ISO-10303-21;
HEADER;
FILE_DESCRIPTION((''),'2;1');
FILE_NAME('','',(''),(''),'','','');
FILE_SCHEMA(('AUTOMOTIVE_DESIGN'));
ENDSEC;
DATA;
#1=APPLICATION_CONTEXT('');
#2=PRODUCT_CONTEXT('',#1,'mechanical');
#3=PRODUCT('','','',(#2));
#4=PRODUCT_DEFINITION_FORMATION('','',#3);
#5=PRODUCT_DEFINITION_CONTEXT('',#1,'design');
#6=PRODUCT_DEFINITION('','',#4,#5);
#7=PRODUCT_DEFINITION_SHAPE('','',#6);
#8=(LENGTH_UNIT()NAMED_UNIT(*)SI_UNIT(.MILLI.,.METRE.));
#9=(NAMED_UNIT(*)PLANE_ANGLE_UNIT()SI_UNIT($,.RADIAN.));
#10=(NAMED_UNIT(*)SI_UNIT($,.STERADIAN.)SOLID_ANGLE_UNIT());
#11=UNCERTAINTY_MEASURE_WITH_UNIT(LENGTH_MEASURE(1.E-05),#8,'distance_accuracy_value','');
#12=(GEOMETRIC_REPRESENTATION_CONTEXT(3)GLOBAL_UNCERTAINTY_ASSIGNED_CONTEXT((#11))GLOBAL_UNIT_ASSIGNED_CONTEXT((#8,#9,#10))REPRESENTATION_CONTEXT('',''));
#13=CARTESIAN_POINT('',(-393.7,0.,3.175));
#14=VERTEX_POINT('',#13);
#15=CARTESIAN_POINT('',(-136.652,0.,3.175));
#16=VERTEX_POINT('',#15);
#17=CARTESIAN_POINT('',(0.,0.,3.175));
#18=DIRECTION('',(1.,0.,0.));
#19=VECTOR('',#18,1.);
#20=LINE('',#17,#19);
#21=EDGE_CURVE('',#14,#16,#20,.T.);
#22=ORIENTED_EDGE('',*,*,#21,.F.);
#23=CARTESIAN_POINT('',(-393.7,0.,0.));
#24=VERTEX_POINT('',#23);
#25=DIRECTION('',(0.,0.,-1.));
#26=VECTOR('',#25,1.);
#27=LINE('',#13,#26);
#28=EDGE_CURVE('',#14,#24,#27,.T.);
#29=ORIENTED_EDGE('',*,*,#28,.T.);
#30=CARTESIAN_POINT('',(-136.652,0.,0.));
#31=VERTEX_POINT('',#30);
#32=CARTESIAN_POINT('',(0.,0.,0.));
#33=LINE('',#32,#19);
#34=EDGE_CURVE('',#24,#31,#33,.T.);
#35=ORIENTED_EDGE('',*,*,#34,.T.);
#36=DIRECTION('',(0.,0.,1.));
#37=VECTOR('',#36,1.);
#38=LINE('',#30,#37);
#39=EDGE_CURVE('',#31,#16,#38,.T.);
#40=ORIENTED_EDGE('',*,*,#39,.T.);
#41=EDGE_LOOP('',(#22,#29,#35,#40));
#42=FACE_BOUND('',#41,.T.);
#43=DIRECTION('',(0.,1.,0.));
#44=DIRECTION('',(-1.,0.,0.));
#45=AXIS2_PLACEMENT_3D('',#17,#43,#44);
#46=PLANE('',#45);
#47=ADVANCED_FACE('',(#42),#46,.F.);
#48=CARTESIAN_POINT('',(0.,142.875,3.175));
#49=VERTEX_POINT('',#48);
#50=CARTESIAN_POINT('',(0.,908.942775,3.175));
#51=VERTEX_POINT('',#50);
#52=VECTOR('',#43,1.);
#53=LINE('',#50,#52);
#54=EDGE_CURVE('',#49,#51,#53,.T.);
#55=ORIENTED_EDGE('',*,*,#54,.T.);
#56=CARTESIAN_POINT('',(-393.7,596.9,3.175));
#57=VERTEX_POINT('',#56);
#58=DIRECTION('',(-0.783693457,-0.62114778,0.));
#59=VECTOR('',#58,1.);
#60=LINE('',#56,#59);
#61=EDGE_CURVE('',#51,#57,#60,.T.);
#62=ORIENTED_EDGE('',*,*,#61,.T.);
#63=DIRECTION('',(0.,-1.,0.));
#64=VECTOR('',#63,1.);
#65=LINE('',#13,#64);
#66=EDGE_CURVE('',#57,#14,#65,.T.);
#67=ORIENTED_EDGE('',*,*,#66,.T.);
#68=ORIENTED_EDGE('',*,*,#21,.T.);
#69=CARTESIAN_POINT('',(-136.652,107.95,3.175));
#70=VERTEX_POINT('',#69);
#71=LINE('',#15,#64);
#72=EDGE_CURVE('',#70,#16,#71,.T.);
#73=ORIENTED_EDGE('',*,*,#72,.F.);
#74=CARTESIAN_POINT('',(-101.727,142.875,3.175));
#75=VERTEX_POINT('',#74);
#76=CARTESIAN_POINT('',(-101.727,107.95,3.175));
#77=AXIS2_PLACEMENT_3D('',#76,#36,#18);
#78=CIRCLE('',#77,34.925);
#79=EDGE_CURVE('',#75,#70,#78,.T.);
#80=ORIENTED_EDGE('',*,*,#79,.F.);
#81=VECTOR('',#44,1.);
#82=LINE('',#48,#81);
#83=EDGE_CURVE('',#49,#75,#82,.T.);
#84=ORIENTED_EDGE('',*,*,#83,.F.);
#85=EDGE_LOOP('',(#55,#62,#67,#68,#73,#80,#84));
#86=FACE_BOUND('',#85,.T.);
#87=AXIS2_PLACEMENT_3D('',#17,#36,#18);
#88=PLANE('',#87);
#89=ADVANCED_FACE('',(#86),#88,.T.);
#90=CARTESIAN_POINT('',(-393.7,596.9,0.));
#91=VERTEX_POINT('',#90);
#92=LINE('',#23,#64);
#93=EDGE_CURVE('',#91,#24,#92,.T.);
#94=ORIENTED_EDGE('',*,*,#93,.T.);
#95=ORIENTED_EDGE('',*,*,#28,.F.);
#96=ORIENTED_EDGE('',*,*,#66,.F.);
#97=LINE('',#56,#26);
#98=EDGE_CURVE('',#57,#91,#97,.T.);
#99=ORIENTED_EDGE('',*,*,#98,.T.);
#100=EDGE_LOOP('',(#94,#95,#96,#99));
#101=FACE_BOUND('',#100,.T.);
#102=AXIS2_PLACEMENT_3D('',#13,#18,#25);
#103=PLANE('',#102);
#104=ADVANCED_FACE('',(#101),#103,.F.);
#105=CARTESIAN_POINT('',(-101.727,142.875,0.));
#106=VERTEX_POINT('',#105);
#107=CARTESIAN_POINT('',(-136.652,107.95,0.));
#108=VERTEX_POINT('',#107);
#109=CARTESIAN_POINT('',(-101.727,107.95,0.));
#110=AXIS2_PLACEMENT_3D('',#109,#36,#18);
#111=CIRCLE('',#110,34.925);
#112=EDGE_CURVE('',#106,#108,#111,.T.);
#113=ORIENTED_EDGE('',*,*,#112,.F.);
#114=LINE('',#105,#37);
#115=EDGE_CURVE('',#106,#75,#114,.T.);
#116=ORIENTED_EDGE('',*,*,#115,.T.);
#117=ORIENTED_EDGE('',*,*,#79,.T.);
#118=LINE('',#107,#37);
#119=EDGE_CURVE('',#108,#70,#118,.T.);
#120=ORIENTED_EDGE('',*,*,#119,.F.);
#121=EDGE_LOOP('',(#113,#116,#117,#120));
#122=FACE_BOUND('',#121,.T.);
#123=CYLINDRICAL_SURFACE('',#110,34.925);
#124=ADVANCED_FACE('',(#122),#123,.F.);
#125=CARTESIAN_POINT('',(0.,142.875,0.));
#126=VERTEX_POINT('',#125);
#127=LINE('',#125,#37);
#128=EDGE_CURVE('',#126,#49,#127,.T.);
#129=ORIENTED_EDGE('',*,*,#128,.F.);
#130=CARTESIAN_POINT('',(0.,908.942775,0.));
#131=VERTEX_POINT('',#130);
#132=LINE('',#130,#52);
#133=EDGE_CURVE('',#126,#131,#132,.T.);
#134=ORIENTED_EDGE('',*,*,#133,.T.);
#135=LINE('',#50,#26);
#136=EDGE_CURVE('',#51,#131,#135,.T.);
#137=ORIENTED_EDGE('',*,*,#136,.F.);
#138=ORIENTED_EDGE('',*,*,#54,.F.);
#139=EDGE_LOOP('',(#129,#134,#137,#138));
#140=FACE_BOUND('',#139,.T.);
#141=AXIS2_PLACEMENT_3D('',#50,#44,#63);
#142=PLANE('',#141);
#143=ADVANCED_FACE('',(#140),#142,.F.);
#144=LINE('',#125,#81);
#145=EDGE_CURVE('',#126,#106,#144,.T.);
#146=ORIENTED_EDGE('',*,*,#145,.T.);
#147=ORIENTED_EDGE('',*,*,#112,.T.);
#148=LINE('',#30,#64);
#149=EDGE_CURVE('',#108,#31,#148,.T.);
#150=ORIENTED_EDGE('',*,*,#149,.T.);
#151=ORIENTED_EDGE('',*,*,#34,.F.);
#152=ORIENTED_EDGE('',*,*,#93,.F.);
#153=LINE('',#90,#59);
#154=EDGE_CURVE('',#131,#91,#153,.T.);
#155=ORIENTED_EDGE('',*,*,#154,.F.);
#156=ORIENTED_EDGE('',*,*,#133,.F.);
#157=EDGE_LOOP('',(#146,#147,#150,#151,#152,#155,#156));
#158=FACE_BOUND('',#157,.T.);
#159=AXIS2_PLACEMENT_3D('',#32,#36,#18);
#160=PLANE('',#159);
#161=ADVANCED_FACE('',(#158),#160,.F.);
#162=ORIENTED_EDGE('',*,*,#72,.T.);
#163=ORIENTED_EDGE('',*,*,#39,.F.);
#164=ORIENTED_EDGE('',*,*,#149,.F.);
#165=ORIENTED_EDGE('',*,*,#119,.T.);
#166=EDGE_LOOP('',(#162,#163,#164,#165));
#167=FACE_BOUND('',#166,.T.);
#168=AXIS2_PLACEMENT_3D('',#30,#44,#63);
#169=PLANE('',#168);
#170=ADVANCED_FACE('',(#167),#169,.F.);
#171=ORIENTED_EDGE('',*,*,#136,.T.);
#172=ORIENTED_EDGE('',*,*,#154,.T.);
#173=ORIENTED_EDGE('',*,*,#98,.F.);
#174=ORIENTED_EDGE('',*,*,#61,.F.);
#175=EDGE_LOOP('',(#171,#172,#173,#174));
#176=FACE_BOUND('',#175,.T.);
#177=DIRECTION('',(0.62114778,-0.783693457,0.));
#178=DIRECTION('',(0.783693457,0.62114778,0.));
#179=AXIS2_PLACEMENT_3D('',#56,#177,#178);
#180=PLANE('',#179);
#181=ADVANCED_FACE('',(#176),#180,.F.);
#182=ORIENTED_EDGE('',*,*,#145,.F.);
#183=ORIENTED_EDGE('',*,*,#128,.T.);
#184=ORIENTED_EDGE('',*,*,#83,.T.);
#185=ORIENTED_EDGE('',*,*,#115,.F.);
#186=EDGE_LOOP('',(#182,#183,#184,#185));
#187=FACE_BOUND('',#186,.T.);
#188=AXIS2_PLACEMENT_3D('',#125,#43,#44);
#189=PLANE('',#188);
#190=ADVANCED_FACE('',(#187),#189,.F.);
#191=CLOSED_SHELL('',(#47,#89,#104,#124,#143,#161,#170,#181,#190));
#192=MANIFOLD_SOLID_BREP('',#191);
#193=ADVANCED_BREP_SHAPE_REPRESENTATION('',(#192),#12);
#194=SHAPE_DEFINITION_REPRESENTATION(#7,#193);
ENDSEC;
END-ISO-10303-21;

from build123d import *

# Parameters (mm, degrees)
BOSS_EXTRUDE1_DEPTH = 3.175
CUT_EXTRUDE3_DEPTH  = 4.175


with BuildPart() as part:
    # Sketch1 → Boss-Extrude1 (new body)
    with BuildSketch(Plane.XY):
        Polygon((0, 0), (-393.7, 0), (-393.7, 596.9), (0, 908.942774901), align=None)
    extrude(amount=BOSS_EXTRUDE1_DEPTH)

    # Sketch4 → Cut-Extrude3 (cut, through all)
    with BuildSketch(Plane.XY.offset(3.175)):
        with BuildLine():
            Line((0, 0), (-136.652, 0))
            Line((-136.652, 0), (-136.652, 107.95))
            ThreePointArc((-136.652, 107.95), (-126.422704333, 132.645704333), (-101.727, 142.875))
            Line((-101.727, 142.875), (0, 142.875))
            Line((0, 142.875), (0, 0))
        make_face()
    extrude(amount=-CUT_EXTRUDE3_DEPTH, mode=Mode.SUBTRACT)


solid = part.part
